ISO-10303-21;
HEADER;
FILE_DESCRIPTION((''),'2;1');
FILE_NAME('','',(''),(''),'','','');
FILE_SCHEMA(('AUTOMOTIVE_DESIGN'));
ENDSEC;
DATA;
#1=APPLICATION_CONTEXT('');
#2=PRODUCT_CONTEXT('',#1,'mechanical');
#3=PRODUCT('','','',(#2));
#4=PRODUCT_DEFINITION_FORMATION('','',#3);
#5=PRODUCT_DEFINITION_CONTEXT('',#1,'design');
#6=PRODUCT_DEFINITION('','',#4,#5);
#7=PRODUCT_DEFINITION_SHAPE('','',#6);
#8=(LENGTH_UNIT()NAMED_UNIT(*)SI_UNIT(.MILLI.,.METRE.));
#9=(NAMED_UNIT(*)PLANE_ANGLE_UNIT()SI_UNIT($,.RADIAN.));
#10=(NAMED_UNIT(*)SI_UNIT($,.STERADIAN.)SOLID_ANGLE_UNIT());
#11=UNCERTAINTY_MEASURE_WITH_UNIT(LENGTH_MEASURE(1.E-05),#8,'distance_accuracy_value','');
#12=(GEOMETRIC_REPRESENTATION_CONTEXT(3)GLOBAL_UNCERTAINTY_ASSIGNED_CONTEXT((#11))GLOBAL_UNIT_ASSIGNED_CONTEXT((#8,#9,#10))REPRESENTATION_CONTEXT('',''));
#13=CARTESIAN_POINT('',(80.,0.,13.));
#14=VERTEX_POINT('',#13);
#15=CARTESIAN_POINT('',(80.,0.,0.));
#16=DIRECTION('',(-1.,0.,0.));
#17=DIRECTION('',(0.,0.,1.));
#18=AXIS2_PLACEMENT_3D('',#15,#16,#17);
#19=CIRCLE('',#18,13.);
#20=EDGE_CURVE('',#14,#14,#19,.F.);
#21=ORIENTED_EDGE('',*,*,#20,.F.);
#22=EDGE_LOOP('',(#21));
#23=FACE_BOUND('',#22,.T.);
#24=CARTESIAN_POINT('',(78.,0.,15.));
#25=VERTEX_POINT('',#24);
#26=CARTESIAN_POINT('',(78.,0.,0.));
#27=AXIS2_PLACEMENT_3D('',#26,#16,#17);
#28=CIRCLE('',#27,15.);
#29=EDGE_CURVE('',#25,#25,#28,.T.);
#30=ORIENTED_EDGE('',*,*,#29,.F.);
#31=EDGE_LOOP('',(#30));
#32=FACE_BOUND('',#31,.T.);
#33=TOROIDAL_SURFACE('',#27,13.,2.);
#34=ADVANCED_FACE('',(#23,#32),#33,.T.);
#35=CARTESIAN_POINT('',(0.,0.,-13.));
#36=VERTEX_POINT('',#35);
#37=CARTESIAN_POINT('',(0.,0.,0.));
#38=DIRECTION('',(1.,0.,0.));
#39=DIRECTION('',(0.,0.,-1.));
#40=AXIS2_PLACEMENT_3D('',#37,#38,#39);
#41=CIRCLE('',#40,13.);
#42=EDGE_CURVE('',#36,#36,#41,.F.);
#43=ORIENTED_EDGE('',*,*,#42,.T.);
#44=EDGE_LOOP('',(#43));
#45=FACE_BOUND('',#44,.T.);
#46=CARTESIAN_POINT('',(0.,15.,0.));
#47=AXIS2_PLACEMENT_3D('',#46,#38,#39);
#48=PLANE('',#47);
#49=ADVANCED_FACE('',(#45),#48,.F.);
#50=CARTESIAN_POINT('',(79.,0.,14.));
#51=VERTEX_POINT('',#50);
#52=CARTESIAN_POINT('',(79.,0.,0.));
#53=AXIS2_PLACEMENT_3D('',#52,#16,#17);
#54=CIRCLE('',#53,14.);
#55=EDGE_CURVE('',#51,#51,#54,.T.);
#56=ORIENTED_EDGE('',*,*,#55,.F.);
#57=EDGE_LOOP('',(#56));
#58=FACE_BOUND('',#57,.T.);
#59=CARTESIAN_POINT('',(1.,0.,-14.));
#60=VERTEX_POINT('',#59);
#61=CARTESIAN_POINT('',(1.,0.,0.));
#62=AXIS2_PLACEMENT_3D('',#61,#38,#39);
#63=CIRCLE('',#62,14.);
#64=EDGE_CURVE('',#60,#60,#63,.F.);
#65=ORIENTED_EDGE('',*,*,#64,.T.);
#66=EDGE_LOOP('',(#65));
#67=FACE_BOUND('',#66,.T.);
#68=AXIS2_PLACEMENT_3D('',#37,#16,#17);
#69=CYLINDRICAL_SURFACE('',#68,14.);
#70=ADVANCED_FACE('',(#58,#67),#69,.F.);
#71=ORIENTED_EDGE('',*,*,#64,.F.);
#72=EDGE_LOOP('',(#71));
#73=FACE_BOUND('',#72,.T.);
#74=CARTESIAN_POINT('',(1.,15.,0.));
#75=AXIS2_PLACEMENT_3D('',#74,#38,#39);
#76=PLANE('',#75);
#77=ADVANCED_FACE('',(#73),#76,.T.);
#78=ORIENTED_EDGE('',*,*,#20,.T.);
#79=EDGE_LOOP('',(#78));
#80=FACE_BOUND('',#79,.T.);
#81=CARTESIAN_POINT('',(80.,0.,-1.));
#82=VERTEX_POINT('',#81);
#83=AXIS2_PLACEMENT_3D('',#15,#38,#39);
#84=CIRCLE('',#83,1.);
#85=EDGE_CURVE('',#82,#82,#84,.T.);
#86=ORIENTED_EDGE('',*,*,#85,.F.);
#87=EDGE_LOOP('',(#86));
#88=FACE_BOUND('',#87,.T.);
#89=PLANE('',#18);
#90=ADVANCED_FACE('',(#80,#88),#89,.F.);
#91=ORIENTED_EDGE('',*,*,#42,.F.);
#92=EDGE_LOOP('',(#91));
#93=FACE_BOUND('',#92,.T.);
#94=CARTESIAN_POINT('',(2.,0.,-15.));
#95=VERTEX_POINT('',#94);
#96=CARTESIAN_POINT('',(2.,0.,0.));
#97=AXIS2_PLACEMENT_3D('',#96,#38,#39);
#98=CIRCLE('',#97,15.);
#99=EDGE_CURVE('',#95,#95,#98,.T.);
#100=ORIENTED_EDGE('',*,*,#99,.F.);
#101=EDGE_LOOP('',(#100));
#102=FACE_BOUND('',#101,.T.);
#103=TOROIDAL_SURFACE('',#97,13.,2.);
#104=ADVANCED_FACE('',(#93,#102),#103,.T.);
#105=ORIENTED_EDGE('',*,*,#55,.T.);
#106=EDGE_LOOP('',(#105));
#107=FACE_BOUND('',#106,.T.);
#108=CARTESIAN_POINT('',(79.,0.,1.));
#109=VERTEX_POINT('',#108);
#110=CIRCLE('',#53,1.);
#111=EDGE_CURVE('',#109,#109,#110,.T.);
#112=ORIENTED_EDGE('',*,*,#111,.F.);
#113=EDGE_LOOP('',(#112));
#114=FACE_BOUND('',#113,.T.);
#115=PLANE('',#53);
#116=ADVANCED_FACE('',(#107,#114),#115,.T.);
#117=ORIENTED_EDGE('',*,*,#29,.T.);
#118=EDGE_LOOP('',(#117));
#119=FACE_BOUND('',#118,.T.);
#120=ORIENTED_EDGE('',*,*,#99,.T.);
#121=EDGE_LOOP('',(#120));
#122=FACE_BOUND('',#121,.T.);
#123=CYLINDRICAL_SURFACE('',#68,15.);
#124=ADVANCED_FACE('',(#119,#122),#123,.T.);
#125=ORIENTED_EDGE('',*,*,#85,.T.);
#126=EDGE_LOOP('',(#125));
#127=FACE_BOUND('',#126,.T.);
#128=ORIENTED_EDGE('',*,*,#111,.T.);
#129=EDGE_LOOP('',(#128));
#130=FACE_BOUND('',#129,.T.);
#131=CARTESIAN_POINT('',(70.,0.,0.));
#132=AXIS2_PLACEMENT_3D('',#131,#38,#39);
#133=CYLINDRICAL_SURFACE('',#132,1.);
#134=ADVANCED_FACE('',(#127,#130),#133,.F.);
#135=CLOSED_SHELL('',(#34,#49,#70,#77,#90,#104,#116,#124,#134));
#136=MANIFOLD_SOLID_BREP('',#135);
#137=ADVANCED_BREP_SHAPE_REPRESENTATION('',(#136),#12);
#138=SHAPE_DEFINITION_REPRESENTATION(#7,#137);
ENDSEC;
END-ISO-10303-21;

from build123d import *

# Parameters (mm, degrees)
SKETCH1_W          = 80
SKETCH1_H          = 15
SHELL2_T           = 1
SKETCH2_R          = 1
CUT_EXTRUDE1_DEPTH = 10
FILLET1_R          = 2


with BuildPart() as part:
    # Sketch1 → Revolve1 (revolve)
    with BuildSketch(Plane.XY, mode=Mode.PRIVATE) as revolve1_sk:
        with Locations((40, 7.5)):
            Rectangle(SKETCH1_W, SKETCH1_H)
    revolve(revolve1_sk.sketch.rotate(Axis((0, 0, 0), (1, 0, 0)), 90), axis=Axis((0, 0, 0), (1, 0, 0)))

    # Shell2 (no face opened: a closed hollow body)
    add(offset(amount=-SHELL2_T, mode=Mode.PRIVATE), mode=Mode.SUBTRACT)

    # Sketch2 → Cut-Extrude1 (cut)
    with BuildSketch(Plane(origin=(80, 0, 0), x_dir=(0, 0, -1), z_dir=(1, 0, 0))):
        Circle(SKETCH2_R)
    extrude(amount=-CUT_EXTRUDE1_DEPTH, mode=Mode.SUBTRACT)

    # Fillet1
    fillet1_edges = [part.edges().sort_by_distance(p)[0] for p in [
        (0, 0, -15),
        (80, 0, -15),
    ]]
    fillet(fillet1_edges, radius=FILLET1_R)


solid = part.part
